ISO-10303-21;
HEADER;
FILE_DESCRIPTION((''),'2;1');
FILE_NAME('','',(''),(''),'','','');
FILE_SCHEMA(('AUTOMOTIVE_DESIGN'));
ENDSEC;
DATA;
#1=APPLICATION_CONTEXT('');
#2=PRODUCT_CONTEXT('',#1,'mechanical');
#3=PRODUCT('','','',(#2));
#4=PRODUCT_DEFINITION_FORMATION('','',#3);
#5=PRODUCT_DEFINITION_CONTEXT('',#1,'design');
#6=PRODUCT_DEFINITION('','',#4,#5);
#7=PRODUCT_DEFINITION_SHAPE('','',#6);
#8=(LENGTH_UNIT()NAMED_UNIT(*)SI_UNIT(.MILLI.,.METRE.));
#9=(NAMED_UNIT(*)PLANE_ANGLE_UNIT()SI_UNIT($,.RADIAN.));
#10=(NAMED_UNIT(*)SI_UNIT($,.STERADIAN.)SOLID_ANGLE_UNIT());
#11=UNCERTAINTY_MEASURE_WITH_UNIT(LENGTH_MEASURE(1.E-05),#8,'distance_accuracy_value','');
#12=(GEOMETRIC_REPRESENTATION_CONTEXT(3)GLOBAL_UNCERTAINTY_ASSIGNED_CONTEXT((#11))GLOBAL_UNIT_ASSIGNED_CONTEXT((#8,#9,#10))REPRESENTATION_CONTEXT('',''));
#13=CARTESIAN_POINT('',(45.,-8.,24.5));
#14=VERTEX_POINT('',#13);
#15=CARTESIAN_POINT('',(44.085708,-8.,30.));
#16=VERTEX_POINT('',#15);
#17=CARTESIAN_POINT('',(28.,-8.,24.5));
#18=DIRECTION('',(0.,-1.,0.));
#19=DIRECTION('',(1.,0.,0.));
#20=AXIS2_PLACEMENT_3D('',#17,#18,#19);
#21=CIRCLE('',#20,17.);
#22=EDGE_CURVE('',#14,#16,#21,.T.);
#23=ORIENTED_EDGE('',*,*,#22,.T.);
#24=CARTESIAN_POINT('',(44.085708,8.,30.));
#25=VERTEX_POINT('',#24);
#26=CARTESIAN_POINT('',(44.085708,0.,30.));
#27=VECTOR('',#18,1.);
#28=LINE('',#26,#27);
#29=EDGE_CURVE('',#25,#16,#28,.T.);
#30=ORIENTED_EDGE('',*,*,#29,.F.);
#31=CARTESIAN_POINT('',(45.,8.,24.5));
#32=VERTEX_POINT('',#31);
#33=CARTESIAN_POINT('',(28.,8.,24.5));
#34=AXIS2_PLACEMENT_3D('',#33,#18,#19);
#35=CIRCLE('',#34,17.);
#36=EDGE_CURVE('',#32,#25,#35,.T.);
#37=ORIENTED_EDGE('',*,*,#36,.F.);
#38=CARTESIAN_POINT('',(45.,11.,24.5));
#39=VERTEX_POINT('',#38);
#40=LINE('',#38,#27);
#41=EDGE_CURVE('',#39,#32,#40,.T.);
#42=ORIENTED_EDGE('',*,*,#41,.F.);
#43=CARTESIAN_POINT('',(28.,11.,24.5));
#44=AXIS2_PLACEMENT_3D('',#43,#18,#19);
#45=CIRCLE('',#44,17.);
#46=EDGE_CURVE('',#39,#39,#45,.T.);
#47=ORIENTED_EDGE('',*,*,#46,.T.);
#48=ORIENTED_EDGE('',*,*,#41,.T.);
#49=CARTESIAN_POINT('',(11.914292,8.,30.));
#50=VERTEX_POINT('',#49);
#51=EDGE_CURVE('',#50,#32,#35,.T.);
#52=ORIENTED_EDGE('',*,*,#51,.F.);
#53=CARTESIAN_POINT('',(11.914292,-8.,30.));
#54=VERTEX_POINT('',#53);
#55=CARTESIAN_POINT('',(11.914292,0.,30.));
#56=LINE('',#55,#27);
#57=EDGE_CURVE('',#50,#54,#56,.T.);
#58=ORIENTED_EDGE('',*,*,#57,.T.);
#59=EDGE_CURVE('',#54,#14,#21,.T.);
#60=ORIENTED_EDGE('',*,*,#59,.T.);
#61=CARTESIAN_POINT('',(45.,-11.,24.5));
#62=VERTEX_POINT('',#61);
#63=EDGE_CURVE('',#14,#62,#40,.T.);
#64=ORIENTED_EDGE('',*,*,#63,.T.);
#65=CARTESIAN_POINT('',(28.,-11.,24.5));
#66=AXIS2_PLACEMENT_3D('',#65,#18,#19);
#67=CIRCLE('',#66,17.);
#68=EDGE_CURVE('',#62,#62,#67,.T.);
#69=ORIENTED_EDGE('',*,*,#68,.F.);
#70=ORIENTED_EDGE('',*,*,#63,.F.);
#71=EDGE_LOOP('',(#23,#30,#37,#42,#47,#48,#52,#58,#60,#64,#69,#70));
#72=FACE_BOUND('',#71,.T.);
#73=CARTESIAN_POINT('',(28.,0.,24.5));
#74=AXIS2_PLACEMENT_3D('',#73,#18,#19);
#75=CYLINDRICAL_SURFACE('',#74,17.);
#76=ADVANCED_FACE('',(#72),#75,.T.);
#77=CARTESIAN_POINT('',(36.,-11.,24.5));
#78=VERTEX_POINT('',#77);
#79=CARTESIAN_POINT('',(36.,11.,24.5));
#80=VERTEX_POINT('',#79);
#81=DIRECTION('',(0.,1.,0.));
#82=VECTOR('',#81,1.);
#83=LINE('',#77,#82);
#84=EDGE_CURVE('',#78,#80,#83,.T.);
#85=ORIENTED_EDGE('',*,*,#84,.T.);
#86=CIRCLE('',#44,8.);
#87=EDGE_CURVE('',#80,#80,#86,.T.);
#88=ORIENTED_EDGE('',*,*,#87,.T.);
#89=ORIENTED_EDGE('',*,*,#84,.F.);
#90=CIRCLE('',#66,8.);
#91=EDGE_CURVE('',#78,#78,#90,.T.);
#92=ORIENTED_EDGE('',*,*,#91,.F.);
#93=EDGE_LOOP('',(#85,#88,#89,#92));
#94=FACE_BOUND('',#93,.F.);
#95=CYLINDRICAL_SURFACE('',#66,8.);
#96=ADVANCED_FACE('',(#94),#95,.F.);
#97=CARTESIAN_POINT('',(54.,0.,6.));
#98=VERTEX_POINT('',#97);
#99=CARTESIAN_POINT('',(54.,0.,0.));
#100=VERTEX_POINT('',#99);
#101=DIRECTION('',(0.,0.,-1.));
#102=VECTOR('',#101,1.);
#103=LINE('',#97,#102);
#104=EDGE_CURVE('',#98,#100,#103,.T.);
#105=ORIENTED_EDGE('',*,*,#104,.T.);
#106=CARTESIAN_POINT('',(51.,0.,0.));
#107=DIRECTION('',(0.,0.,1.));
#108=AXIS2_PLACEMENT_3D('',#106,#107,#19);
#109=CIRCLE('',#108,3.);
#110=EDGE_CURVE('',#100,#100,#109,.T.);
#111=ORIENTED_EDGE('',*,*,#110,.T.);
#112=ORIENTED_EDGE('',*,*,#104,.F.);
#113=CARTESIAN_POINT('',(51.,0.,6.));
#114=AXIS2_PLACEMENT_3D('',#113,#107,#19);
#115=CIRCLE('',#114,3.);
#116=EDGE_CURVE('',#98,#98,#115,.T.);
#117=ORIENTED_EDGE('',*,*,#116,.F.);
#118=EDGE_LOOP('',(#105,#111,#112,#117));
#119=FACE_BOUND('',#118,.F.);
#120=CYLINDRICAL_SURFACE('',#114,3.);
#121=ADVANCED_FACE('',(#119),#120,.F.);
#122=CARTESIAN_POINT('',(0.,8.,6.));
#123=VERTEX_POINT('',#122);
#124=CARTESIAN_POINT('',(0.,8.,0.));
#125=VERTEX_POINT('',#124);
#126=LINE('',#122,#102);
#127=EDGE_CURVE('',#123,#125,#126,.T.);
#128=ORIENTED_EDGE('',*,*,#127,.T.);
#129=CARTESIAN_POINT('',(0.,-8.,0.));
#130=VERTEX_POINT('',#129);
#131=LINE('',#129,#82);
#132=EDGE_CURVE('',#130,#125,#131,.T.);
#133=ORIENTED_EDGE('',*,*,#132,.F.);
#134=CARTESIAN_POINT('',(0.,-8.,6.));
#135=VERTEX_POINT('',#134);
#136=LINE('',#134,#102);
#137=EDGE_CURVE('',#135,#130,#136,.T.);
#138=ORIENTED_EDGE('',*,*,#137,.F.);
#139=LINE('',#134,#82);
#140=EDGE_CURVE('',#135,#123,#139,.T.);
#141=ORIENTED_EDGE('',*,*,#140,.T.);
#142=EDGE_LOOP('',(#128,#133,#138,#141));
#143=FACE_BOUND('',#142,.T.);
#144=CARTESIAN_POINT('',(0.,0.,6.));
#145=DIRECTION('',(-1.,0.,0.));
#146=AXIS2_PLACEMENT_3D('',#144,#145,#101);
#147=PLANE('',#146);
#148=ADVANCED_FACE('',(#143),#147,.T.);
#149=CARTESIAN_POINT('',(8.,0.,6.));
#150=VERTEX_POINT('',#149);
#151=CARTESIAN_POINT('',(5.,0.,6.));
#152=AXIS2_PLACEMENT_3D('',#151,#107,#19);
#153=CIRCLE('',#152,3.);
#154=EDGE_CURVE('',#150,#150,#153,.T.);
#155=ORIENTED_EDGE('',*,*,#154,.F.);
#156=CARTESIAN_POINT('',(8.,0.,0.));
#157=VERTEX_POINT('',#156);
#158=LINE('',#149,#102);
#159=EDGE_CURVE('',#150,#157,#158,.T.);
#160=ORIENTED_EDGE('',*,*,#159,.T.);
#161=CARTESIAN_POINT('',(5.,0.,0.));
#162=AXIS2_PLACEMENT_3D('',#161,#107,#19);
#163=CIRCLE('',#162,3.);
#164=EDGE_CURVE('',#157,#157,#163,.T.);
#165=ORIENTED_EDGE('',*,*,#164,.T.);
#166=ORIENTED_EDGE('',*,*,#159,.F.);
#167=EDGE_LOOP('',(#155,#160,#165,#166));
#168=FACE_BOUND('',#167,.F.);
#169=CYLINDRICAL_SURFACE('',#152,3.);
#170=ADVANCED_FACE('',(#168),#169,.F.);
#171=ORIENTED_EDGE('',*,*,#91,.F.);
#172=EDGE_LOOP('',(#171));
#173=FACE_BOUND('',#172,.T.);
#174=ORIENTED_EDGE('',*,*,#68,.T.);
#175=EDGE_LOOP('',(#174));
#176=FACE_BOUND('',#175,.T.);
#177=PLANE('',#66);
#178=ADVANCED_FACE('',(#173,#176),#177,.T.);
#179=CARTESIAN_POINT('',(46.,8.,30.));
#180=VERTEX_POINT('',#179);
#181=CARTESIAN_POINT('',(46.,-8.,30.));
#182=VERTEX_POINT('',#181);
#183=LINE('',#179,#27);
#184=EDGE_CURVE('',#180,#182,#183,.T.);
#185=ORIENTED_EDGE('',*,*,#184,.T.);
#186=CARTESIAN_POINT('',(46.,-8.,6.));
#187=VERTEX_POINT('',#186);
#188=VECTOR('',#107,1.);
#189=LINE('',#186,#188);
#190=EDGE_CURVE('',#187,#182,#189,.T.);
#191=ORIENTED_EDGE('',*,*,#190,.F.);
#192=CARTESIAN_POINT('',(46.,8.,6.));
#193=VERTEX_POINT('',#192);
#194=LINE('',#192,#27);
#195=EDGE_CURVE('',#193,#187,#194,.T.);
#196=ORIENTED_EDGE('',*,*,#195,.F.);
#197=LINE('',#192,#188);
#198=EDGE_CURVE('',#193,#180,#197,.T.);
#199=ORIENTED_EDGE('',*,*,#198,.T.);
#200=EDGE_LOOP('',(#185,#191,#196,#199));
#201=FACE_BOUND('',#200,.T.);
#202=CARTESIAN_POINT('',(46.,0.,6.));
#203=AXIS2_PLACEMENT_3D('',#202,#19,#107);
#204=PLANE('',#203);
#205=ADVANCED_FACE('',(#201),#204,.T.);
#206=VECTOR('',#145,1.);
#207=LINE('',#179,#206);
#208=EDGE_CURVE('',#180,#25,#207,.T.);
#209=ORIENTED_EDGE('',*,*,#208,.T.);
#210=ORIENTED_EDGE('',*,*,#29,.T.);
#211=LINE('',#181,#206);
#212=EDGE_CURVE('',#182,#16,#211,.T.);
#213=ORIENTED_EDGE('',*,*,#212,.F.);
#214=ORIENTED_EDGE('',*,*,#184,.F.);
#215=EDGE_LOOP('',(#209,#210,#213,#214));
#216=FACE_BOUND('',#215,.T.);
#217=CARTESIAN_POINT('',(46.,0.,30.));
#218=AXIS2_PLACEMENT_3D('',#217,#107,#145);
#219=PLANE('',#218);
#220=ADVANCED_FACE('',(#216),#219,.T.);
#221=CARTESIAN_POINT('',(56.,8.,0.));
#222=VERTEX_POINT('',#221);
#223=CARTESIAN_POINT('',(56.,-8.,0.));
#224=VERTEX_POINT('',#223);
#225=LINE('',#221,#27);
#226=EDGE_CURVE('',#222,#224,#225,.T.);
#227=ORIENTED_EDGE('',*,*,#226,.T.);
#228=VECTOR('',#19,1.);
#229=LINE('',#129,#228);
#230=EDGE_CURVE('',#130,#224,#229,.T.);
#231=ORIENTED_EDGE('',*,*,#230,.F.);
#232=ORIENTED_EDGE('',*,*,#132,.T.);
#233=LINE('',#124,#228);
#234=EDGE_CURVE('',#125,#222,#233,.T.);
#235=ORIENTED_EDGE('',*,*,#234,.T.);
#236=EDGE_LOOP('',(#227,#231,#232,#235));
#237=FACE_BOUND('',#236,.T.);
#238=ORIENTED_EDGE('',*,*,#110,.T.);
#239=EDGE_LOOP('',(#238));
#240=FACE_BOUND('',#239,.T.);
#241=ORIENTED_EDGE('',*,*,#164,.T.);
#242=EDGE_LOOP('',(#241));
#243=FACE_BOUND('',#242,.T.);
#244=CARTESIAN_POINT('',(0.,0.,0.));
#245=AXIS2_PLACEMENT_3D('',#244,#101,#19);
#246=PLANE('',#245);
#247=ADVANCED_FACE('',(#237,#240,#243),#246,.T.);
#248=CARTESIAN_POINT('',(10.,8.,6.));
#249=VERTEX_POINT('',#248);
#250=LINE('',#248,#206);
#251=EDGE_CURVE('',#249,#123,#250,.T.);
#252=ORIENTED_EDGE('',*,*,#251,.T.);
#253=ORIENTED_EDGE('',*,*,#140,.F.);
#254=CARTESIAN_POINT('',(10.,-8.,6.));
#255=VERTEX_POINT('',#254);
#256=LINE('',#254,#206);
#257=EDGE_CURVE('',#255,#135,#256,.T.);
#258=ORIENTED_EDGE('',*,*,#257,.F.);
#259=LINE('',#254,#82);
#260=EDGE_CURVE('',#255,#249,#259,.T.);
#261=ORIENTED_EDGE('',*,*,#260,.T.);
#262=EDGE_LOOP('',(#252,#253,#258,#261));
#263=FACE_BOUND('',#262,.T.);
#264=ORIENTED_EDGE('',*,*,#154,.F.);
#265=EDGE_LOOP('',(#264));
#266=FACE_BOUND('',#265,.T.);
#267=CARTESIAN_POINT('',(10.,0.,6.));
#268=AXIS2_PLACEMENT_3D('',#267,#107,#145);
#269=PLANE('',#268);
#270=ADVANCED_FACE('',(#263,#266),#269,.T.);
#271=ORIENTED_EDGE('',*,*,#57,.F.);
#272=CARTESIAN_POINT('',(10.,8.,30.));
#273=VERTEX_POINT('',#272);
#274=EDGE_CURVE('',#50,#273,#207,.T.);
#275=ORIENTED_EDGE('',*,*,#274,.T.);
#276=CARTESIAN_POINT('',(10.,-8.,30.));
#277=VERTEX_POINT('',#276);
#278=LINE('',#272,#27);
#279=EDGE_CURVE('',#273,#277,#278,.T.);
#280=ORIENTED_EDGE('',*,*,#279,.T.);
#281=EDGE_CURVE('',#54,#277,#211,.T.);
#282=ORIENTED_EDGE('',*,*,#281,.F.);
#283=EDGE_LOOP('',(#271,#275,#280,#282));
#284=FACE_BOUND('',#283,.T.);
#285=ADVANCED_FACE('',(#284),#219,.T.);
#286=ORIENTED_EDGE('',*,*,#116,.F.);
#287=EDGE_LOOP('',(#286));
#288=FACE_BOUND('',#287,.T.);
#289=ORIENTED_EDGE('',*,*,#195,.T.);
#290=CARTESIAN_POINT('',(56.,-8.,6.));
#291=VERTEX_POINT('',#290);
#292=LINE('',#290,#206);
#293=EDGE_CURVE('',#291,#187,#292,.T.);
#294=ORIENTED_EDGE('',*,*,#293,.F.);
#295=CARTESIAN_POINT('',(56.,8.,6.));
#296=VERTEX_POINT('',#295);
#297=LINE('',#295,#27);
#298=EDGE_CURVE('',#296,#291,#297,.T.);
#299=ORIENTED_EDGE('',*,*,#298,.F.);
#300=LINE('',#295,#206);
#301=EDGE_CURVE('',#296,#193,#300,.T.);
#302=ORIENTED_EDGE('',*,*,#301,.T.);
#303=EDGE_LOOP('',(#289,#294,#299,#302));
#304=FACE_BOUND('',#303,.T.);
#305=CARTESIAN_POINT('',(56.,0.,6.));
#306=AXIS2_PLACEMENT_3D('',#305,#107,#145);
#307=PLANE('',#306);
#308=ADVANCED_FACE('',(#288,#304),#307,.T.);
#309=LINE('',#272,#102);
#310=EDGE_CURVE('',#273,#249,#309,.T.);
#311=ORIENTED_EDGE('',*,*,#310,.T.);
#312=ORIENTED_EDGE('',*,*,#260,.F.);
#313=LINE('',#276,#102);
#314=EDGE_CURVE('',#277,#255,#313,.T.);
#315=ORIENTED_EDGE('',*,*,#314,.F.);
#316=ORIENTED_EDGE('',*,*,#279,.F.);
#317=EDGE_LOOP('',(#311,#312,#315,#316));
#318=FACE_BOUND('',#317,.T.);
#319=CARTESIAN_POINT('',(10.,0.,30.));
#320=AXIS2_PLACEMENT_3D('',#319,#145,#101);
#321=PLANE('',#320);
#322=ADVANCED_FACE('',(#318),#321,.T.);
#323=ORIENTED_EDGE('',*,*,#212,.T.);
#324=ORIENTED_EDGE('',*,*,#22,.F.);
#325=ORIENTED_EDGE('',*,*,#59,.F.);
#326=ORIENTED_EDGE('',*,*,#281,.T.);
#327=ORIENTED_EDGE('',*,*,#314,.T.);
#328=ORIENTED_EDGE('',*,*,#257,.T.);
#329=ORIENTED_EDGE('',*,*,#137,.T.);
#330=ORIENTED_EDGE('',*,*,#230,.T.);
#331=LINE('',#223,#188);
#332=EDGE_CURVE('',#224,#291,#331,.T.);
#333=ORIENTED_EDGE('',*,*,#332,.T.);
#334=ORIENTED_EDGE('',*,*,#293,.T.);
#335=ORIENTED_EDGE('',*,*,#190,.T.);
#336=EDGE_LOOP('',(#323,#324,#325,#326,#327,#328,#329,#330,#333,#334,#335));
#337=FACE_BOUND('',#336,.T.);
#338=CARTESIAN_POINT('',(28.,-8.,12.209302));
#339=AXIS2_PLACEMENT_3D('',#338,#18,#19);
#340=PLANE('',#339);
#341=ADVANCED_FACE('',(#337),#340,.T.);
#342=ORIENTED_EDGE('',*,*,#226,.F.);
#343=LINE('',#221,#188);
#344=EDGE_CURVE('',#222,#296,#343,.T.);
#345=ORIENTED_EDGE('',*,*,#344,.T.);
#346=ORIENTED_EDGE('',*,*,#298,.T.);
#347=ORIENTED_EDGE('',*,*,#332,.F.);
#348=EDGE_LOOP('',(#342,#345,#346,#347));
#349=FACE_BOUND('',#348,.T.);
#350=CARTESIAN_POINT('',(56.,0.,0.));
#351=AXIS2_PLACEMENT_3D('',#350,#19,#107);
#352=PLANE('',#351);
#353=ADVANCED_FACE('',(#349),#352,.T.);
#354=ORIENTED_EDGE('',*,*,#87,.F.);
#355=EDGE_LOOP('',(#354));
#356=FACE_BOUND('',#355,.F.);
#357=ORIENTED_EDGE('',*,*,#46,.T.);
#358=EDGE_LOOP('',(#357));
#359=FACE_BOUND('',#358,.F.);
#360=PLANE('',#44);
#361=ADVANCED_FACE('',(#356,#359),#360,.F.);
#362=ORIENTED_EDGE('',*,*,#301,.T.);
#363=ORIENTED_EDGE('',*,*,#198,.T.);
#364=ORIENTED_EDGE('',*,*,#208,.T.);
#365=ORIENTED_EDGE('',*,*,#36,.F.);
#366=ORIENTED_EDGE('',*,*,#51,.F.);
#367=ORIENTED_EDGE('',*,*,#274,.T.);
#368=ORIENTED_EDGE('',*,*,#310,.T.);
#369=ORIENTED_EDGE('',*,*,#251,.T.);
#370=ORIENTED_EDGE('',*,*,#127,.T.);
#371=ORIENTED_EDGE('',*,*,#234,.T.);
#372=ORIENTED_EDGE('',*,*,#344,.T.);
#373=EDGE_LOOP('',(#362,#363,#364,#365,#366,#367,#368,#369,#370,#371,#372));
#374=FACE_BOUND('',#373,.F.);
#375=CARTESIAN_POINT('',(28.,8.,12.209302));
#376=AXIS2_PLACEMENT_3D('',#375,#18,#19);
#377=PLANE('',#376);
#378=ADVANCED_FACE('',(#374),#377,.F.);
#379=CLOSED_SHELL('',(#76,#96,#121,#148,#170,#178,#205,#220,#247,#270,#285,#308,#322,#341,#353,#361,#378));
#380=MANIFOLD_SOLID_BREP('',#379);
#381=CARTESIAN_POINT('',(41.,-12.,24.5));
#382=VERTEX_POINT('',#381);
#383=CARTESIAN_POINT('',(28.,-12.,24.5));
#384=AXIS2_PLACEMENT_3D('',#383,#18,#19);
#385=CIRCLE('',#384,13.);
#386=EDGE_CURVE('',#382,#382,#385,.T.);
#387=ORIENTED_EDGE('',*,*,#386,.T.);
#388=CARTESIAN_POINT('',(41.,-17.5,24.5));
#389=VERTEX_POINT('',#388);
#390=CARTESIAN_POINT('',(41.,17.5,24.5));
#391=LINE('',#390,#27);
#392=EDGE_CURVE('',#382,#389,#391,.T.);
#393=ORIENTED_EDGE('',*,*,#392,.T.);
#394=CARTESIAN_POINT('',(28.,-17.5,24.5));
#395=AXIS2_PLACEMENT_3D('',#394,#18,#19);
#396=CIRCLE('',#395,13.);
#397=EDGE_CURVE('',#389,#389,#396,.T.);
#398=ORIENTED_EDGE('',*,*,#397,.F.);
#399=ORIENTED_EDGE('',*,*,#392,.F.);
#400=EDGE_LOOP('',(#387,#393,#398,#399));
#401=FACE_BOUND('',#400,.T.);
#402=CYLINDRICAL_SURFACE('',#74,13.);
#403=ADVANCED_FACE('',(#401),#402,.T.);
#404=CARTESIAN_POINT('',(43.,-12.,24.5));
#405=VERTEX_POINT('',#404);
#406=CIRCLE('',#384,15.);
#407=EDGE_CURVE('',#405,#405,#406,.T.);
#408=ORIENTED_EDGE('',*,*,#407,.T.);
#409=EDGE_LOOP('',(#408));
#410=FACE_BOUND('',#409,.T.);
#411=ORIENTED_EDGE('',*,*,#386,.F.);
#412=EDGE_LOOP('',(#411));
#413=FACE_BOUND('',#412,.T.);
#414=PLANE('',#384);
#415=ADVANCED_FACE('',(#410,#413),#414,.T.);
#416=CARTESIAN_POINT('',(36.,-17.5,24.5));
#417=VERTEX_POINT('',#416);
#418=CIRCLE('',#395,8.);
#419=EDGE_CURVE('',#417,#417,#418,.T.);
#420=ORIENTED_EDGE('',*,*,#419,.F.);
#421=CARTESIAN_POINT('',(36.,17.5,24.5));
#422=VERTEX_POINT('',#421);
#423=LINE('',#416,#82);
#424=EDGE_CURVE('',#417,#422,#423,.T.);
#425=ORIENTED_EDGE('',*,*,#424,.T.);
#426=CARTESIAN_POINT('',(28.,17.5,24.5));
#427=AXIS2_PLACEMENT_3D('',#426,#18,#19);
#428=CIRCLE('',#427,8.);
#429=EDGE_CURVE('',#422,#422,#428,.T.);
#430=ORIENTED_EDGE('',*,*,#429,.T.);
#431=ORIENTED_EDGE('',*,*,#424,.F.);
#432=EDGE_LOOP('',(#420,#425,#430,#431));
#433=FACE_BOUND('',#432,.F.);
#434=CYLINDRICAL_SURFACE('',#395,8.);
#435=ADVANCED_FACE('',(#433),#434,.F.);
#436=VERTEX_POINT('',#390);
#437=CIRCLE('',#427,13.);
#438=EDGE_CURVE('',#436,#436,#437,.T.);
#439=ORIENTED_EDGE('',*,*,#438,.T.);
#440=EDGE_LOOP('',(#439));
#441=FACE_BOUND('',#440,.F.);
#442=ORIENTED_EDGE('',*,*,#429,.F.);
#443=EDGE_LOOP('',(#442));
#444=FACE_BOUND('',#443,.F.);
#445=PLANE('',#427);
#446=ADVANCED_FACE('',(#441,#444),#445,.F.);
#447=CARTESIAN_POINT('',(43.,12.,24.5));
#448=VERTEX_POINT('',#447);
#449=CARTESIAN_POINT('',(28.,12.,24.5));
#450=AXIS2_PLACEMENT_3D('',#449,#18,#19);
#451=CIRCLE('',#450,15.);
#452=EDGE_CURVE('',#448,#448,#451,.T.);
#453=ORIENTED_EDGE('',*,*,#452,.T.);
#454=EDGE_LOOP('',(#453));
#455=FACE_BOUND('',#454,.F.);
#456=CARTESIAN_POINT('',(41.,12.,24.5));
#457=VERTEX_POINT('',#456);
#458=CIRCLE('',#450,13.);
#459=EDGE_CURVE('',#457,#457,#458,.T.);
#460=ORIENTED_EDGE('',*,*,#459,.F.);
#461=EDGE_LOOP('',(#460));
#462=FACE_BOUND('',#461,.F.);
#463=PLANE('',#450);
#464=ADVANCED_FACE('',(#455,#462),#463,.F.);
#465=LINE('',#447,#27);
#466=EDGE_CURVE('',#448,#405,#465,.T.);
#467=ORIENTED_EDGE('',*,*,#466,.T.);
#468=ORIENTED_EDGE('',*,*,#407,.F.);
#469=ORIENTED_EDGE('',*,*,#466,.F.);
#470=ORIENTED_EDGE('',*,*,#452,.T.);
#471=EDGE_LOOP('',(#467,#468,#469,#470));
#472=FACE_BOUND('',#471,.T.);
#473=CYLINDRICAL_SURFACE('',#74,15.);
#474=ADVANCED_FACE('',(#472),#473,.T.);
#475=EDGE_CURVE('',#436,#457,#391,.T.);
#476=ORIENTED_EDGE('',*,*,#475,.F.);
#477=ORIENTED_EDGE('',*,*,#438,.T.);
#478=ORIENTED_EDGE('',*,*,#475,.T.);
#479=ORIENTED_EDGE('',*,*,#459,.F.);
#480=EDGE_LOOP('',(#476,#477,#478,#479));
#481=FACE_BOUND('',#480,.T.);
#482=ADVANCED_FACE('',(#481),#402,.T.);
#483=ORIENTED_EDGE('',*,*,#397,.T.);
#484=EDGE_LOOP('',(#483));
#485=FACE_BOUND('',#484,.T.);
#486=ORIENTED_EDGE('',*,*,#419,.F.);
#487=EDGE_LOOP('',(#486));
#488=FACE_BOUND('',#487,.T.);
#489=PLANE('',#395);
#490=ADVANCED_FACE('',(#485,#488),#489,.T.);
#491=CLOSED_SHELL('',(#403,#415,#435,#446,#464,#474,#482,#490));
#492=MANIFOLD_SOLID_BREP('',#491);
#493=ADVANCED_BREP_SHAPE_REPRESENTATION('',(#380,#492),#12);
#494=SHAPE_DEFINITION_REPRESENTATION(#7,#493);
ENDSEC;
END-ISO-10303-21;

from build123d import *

# Parameters (mm, degrees)
SKETCH003_R     = 13
PAD003_DEPTH    = 17.5
SKETCH002_R     = 15
PAD002_DEPTH    = 12
SKETCH005_R     = 8
POCKET001_DEPTH = 35.001
SKETCH001_R     = 17
PAD001_DEPTH    = 11
PAD_DEPTH       = 8
SKETCH004_R     = 8
POCKET_DEPTH    = 22.001
SKETCH006_R     = 3
POCKET002_DEPTH = 6.001
SKETCH007_R     = 3
POCKET003_DEPTH = 6.001


with BuildPart() as pad003:
    # Sketch003 → Pad003 (new body, symmetric)
    with BuildSketch(Plane.XZ):
        with Locations((28, 24.5)):
            Circle(SKETCH003_R)
    extrude(amount=PAD003_DEPTH, both=True)


with BuildPart() as flasque_plastique:
    # Sketch002 → Pad002 (new body, symmetric)
    with BuildSketch(Plane.XZ):
        with Locations((28, 24.5)):
            Circle(SKETCH002_R)
    extrude(amount=PAD002_DEPTH, both=True)

    # Fusion001: union Pad003
    add(pad003.part)

    # Sketch005 → Pocket001 (cut, through all)
    with BuildSketch(Plane.XZ.offset(17.5)):
        with Locations((28, 24.5)):
            Circle(SKETCH005_R)
    extrude(amount=-POCKET001_DEPTH, mode=Mode.SUBTRACT)


with BuildPart() as cylindre_alu:
    # Sketch001 → Pad001 (new body, symmetric)
    with BuildSketch(Plane.XZ):
        with Locations((28, 24.5)):
            Circle(SKETCH001_R)
    extrude(amount=PAD001_DEPTH, both=True)


with BuildPart() as alu:
    # Sketch → Pad (new body, symmetric)
    with BuildSketch(Plane.XZ):
        Polygon((0, 0), (56, 0), (56, 6), (46, 6), (46, 30), (10, 30), (10, 6), (0, 6), align=None)
    extrude(amount=PAD_DEPTH, both=True)

    # Fusion: union cylindre alu
    add(cylindre_alu.part)

    # Sketch004 → Pocket (cut, through all)
    with BuildSketch(Plane.XZ.offset(11)):
        with Locations((28, 24.5)):
            Circle(SKETCH004_R)
    extrude(amount=-POCKET_DEPTH, mode=Mode.SUBTRACT)

    # Sketch006 → Pocket002 (cut, through all)
    with BuildSketch(Plane.XY.offset(6)):
        with Locations((5, 0)):
            Circle(SKETCH006_R)
    extrude(amount=-POCKET002_DEPTH, mode=Mode.SUBTRACT)

    # Sketch007 → Pocket003 (cut, through all)
    with BuildSketch(Plane.XY.offset(6)):
        with Locations((51, 0)):
            Circle(SKETCH007_R)
    extrude(amount=-POCKET003_DEPTH, mode=Mode.SUBTRACT)


solid = Compound([flasque_plastique.part, alu.part])
